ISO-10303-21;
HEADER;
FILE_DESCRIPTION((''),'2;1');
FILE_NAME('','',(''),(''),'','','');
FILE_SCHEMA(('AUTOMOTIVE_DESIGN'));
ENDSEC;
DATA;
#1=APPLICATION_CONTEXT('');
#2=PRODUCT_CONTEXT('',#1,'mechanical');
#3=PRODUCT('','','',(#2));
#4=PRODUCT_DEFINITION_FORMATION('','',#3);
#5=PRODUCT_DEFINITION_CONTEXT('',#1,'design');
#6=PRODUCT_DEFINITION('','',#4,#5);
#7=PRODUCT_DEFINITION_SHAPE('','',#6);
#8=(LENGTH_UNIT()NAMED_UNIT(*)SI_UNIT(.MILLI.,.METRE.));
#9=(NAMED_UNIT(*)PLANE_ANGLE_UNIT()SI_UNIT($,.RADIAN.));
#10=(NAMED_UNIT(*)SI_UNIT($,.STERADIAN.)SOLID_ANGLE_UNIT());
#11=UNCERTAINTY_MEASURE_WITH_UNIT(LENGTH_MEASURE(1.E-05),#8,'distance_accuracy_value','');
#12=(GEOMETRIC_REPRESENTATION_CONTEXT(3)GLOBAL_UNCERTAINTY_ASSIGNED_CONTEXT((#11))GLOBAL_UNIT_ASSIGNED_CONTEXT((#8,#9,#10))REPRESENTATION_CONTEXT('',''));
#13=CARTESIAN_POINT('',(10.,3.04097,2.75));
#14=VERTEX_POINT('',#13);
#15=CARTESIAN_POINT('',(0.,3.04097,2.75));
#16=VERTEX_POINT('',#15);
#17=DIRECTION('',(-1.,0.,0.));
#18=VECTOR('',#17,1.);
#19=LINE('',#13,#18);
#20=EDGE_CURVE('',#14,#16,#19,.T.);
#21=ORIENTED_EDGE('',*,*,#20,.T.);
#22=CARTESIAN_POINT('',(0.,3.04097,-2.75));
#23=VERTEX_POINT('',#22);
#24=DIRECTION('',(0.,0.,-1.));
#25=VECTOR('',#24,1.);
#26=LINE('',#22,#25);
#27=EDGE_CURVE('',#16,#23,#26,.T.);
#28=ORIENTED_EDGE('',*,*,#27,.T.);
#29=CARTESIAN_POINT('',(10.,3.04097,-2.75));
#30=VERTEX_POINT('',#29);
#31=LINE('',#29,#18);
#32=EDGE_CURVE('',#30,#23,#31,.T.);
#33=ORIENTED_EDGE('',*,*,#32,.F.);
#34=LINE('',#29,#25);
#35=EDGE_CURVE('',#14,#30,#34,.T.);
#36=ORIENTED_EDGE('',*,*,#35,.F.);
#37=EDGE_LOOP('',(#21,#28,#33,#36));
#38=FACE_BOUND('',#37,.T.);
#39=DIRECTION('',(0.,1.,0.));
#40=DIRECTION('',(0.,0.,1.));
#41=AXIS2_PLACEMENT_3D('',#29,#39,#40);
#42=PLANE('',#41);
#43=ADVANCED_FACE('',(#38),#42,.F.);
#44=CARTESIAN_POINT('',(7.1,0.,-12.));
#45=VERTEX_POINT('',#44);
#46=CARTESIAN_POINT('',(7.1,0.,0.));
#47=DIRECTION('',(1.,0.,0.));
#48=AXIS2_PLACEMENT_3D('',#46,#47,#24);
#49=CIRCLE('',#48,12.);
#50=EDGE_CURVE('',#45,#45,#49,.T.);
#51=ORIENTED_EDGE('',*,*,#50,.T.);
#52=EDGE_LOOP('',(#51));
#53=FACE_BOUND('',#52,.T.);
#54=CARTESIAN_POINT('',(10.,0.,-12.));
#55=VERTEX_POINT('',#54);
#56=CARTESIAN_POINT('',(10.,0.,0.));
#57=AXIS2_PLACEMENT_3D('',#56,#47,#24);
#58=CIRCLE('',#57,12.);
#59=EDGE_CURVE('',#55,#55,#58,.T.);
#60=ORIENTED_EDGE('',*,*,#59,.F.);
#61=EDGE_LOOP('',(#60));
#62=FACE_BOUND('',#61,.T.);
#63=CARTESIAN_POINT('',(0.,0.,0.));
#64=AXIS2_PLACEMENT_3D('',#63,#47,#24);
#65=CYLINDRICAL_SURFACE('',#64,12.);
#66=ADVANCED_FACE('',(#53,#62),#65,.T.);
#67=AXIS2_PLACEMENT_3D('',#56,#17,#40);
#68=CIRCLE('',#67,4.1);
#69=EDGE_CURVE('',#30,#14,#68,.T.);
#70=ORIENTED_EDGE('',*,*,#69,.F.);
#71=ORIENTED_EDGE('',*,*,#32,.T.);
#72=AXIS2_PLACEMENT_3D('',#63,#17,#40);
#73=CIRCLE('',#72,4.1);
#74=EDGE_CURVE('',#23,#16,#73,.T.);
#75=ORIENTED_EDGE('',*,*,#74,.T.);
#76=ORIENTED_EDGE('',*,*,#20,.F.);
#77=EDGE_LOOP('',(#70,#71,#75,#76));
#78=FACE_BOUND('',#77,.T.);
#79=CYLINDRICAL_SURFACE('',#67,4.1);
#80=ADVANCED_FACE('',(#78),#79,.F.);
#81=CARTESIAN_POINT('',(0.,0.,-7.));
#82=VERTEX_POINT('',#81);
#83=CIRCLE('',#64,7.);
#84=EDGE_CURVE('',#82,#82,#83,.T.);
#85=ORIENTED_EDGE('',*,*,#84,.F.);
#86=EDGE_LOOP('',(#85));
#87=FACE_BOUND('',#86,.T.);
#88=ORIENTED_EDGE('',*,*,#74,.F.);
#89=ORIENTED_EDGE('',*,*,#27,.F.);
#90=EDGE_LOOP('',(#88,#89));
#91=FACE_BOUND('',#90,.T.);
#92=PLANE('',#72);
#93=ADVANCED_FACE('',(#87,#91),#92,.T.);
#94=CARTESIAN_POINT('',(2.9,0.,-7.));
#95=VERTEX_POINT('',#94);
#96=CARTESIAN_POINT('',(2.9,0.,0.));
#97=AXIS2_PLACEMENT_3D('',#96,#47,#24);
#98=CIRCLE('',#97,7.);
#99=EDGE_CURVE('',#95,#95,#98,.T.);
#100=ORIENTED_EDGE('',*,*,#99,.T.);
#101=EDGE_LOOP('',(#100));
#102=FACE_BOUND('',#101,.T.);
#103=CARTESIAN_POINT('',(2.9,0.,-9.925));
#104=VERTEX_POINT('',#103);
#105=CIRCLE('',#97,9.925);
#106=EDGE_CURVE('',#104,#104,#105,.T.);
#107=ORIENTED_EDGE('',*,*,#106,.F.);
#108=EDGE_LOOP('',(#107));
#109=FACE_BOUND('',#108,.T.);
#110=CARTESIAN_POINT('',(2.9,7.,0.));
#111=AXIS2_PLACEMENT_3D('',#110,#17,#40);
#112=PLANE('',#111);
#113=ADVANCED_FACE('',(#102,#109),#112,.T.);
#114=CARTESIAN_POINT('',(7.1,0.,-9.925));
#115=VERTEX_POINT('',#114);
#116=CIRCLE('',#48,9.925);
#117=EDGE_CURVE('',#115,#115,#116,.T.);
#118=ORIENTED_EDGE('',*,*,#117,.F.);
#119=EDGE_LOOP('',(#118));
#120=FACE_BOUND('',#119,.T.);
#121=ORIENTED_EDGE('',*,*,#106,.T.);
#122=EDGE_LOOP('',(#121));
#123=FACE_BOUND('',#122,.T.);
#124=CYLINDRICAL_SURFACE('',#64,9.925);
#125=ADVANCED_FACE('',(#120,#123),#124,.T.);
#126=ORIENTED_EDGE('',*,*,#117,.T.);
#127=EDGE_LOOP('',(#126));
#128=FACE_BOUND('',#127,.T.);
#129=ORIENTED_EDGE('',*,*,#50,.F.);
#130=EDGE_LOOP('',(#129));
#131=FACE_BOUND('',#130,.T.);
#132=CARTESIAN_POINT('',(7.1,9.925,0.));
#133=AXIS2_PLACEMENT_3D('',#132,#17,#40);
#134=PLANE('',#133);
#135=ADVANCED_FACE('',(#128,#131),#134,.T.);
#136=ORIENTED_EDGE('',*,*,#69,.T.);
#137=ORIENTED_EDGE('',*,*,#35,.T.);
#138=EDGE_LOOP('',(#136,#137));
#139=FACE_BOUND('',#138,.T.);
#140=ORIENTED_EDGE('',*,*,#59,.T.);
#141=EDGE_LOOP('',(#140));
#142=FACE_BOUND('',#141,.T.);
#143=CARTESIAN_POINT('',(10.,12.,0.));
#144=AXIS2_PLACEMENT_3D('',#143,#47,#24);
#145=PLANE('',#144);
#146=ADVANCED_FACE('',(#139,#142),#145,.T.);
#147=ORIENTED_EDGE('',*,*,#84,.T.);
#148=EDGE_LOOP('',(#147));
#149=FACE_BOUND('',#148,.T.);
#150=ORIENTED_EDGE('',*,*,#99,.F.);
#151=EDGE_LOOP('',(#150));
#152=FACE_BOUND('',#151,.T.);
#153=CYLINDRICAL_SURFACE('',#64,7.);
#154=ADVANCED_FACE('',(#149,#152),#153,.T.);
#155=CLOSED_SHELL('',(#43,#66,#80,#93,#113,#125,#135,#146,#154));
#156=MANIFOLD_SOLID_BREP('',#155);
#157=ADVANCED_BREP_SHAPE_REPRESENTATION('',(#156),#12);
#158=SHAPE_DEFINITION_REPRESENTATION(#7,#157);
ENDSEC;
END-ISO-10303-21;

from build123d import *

# Parameters (mm, degrees)
SCHNITT_LINEAR_AUSTRAGEN1_DEPTH = 20.697715604


with BuildPart() as part:
    # Skizze1 → Rotation1 (revolve)
    with BuildSketch(Plane.XY, mode=Mode.PRIVATE) as rotation1_sk:
        Polygon((0, 0), (0, 7), (2.9, 7), (2.9, 9.925), (7.1, 9.925), (7.1, 12), (10, 12), (10, 0), align=None)
    revolve(rotation1_sk.sketch.rotate(Axis((0, 0, 0), (-1, 0, 0)), 90), axis=Axis((0, 0, 0), (-1, 0, 0)))

    # Skizze2 → Schnitt-Linear austragen1 (cut, through all)
    with BuildSketch(Plane.ZY):
        with BuildLine():
            Line((-2.75, 3.04097024), (2.75, 3.04097024))
            ThreePointArc((2.75, 3.04097024), (0, -4.1), (-2.75, 3.04097024))
        make_face()
    extrude(amount=-SCHNITT_LINEAR_AUSTRAGEN1_DEPTH, mode=Mode.SUBTRACT)


solid = part.part
